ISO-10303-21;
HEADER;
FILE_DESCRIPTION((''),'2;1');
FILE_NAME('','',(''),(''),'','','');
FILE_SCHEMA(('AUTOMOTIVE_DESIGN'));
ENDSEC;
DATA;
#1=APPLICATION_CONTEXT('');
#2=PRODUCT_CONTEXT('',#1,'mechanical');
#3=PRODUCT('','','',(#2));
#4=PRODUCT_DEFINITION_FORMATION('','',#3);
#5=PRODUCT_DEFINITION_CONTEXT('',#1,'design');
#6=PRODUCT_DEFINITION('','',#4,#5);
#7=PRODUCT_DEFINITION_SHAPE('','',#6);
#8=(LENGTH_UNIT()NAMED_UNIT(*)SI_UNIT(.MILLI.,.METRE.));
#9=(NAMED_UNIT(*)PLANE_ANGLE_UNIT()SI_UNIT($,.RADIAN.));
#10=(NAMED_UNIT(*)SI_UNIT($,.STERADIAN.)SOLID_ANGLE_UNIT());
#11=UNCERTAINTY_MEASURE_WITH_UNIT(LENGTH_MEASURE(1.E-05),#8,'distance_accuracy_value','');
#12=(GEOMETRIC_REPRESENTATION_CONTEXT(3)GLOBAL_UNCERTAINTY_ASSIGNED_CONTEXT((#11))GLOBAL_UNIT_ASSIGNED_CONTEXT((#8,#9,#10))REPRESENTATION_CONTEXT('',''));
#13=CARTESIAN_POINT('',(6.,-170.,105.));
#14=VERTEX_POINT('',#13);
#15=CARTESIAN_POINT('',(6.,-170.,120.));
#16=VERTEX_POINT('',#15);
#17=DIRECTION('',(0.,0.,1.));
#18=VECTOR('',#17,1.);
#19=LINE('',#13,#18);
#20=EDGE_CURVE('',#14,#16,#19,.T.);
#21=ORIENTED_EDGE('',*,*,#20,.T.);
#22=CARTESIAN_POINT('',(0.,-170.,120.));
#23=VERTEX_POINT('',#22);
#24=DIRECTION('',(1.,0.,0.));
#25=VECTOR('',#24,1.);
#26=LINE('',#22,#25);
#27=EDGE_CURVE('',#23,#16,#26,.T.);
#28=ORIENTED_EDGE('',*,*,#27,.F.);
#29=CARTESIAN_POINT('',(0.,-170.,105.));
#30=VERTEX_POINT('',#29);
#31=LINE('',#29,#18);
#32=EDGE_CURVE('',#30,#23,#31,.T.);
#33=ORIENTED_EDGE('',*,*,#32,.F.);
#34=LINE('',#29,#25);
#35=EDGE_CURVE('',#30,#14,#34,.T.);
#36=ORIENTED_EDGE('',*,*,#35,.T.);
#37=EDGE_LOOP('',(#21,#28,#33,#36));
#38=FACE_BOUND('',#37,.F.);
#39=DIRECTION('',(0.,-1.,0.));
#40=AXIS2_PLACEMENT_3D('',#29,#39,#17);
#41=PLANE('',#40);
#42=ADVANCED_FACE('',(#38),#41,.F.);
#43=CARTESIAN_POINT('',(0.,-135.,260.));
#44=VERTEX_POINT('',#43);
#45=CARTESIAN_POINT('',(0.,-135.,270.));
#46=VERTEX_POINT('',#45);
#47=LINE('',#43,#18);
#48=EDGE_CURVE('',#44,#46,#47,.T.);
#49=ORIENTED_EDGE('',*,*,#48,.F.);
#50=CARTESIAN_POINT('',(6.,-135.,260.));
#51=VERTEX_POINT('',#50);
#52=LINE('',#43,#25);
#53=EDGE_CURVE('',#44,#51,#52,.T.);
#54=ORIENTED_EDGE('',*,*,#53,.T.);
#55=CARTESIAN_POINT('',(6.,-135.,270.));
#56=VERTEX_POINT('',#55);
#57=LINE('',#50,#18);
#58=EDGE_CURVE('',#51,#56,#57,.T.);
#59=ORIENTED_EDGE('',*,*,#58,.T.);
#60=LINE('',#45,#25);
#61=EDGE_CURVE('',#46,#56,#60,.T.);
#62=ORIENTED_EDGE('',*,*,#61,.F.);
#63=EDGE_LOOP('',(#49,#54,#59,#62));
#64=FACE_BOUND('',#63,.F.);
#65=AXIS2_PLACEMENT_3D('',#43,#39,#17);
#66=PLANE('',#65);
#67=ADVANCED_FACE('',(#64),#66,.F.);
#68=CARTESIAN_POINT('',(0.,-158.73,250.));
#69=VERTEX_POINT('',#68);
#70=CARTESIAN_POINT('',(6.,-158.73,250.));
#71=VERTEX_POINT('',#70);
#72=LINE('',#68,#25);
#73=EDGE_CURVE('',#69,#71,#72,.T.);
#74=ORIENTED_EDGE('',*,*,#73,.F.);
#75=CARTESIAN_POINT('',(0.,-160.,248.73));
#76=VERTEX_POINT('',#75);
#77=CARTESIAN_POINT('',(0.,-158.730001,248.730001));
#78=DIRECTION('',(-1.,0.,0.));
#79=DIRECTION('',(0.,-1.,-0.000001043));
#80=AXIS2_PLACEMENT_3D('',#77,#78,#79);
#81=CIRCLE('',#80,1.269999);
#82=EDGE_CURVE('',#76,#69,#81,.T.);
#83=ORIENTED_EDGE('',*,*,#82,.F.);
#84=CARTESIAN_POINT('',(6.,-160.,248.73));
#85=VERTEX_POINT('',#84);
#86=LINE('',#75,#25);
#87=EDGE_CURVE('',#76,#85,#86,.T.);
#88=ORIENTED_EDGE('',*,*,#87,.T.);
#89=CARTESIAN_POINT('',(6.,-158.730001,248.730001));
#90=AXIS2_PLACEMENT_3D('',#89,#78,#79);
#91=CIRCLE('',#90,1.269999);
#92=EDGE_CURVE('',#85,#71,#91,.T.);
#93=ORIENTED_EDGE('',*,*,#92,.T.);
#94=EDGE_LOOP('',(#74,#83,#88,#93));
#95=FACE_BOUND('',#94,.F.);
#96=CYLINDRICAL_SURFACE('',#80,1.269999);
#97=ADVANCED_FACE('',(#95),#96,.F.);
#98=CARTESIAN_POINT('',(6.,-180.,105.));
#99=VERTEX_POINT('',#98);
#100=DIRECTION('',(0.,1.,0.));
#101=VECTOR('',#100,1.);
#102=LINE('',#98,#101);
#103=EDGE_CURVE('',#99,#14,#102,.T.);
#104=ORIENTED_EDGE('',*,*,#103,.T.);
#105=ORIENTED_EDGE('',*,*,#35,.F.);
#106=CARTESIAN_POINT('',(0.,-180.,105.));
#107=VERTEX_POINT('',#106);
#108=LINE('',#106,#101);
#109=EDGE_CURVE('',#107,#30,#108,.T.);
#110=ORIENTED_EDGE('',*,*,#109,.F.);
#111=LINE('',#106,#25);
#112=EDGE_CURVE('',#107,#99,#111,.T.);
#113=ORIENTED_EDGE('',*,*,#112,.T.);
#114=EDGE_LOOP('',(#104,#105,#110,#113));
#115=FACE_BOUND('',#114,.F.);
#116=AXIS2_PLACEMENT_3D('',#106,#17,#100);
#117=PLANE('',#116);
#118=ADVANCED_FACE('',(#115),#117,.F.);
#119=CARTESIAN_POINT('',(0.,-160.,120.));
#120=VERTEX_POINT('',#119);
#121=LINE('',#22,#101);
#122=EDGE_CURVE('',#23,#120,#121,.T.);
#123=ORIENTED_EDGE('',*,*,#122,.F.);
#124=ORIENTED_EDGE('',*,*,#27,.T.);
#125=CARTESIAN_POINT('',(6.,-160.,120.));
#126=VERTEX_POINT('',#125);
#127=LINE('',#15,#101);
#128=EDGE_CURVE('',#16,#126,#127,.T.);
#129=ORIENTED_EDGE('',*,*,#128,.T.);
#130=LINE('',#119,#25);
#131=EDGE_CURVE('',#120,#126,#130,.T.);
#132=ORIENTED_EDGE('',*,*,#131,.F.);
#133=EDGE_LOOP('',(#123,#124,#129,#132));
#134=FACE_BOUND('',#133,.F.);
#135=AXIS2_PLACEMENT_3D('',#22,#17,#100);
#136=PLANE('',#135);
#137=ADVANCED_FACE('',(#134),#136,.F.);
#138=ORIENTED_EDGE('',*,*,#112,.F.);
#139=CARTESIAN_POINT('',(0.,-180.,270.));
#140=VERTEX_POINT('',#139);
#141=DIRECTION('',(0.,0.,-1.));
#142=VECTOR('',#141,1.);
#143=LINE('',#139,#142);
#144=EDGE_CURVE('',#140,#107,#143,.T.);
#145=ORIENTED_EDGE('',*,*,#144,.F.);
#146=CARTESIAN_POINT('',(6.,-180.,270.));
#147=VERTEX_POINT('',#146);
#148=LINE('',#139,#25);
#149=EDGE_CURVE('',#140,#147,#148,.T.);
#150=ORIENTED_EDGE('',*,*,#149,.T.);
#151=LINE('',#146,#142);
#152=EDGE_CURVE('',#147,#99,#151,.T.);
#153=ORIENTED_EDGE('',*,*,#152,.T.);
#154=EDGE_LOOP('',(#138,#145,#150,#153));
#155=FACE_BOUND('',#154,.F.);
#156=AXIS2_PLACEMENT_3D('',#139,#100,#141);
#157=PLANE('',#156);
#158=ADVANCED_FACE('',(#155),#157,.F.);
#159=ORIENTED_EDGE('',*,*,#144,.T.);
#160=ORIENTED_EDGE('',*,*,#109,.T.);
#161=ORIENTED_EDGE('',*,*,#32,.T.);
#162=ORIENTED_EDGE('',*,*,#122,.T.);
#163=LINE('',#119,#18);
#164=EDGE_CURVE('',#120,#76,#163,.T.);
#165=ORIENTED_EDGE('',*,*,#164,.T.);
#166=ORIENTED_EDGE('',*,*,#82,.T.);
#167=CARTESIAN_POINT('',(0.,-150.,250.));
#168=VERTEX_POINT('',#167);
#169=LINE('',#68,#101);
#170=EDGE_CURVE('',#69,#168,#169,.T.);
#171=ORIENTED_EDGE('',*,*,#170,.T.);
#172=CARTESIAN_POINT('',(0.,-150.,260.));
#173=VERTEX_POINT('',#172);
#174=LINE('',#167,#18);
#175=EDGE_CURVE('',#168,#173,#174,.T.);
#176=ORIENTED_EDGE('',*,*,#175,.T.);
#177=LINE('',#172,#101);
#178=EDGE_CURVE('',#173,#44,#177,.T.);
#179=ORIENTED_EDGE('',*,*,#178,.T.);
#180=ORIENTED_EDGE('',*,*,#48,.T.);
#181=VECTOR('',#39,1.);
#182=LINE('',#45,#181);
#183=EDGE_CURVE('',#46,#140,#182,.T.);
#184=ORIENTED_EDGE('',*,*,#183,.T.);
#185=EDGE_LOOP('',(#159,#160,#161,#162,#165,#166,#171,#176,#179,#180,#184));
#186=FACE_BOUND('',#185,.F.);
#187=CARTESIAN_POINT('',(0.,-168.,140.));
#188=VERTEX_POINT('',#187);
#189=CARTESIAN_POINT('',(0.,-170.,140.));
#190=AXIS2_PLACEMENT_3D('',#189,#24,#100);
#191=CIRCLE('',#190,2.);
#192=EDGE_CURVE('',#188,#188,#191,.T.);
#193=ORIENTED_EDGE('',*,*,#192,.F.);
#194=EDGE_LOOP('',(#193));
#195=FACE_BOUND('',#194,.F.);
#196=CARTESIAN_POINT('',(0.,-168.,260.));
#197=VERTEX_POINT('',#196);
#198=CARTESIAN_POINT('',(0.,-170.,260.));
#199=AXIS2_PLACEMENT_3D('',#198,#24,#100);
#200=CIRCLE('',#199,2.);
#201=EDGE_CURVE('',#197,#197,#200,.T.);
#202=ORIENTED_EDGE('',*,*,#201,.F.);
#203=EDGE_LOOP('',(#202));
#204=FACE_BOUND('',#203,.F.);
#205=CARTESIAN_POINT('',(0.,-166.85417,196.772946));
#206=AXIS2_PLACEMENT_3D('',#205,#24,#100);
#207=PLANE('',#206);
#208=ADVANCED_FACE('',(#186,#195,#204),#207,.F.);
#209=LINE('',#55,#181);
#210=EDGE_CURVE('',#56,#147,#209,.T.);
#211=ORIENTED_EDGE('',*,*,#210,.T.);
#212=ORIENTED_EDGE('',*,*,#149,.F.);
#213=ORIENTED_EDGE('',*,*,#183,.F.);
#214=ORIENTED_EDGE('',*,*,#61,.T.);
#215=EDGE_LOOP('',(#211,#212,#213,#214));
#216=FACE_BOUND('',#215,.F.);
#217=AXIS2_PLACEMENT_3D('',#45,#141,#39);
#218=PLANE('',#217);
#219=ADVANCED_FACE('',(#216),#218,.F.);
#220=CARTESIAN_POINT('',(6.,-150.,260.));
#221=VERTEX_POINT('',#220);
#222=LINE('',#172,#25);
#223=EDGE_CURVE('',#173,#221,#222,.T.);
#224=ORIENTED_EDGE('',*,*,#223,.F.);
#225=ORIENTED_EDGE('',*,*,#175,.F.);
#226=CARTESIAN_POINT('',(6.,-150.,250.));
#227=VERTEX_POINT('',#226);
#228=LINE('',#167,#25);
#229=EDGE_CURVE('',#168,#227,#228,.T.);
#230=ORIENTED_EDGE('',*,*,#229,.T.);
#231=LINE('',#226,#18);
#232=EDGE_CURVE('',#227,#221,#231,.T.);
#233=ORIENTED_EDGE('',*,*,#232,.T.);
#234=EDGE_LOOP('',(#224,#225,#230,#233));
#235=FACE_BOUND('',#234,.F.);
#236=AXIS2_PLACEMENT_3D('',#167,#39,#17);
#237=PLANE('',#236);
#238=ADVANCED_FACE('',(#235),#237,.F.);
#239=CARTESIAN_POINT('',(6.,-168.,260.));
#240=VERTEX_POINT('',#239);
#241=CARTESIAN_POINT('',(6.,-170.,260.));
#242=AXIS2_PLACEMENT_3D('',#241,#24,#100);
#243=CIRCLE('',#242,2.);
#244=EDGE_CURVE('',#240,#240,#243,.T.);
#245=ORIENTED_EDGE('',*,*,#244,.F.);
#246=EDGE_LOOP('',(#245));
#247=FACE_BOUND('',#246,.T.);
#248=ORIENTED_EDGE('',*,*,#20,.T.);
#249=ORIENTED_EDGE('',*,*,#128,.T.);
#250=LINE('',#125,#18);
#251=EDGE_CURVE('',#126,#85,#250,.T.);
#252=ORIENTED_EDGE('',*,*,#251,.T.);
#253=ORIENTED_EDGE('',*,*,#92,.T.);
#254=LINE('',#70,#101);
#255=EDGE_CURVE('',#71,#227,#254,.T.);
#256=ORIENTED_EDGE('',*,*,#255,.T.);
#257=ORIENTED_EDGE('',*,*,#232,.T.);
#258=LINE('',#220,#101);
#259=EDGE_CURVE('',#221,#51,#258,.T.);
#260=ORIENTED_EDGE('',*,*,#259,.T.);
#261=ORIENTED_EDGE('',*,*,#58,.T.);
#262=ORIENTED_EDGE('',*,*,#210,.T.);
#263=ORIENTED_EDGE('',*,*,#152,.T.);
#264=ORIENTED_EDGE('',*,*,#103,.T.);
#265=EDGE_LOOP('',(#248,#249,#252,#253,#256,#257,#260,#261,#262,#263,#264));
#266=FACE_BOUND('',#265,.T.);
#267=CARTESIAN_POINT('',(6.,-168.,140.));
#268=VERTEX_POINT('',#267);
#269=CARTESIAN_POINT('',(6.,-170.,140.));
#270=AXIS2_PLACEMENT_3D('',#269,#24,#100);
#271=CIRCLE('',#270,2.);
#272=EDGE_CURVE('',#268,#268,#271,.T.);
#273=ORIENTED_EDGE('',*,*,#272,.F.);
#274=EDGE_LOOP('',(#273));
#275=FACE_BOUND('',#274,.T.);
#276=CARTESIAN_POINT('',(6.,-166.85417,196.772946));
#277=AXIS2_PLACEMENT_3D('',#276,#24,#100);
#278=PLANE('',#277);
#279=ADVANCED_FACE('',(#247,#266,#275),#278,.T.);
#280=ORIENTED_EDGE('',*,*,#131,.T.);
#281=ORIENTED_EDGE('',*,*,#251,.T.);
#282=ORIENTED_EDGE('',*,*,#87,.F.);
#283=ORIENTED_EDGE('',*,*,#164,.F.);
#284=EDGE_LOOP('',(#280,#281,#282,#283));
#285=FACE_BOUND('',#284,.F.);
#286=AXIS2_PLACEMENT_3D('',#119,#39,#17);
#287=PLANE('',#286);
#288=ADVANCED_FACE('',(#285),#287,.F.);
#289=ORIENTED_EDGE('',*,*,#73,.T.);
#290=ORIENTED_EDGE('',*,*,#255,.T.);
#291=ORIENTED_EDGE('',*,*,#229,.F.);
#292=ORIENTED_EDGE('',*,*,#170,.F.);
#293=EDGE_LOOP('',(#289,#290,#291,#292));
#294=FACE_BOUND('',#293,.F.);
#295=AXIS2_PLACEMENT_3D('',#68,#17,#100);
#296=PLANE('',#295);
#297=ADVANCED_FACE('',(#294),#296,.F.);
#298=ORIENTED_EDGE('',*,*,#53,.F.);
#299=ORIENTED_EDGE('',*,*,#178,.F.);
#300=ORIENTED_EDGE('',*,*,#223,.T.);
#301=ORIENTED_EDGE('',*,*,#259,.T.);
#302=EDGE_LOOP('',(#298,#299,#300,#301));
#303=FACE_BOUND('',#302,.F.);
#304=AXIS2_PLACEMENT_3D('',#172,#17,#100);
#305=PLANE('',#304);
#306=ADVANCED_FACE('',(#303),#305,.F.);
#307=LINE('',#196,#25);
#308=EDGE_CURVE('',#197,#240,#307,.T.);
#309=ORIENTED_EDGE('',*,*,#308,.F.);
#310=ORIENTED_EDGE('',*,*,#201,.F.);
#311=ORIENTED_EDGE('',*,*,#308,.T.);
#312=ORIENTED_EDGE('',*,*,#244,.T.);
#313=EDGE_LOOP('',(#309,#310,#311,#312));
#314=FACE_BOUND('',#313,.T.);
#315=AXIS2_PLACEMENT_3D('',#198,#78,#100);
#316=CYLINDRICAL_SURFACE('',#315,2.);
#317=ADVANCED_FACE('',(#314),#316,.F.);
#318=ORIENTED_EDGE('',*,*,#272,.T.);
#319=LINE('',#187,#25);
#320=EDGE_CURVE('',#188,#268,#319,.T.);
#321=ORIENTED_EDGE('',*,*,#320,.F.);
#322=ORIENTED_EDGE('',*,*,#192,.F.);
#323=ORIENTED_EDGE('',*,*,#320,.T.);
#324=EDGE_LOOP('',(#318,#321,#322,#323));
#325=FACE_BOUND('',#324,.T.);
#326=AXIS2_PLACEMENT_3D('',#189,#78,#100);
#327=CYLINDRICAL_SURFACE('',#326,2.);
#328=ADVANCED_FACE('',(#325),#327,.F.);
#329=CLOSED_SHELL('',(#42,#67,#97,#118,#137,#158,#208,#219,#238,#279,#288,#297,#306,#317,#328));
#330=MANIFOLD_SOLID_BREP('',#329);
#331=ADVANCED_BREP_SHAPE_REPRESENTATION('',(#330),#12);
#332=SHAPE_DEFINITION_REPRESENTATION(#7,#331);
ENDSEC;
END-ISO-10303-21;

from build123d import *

# Parameters (mm, degrees)
F0_R     = 2
F1_DEPTH = 6


with BuildPart() as f1:
    # F0 (on Right) → F1 (new body)
    with BuildSketch(Plane.YZ):
        with BuildLine():
            Line((-158.73, 250), (-150, 250))
            Line((-150, 250), (-150, 260))
            Line((-150, 260), (-135, 260))
            Line((-135, 260), (-135, 270))
            Line((-135, 270), (-180, 270))
            Line((-180, 270), (-180, 105))
            Line((-180, 105), (-170, 105))
            Line((-170, 105), (-170, 120))
            Line((-170, 120), (-160, 120))
            Line((-160, 120), (-160, 248.73))
            ThreePointArc((-160, 248.73), (-159.628026, 249.628026), (-158.73, 250))
        make_face()
        with Locations((-170, 140)):
            Circle(F0_R, mode=Mode.SUBTRACT)
        with Locations((-170, 260)):
            Circle(F0_R, mode=Mode.SUBTRACT)
    extrude(amount=F1_DEPTH)


solid = f1.part
